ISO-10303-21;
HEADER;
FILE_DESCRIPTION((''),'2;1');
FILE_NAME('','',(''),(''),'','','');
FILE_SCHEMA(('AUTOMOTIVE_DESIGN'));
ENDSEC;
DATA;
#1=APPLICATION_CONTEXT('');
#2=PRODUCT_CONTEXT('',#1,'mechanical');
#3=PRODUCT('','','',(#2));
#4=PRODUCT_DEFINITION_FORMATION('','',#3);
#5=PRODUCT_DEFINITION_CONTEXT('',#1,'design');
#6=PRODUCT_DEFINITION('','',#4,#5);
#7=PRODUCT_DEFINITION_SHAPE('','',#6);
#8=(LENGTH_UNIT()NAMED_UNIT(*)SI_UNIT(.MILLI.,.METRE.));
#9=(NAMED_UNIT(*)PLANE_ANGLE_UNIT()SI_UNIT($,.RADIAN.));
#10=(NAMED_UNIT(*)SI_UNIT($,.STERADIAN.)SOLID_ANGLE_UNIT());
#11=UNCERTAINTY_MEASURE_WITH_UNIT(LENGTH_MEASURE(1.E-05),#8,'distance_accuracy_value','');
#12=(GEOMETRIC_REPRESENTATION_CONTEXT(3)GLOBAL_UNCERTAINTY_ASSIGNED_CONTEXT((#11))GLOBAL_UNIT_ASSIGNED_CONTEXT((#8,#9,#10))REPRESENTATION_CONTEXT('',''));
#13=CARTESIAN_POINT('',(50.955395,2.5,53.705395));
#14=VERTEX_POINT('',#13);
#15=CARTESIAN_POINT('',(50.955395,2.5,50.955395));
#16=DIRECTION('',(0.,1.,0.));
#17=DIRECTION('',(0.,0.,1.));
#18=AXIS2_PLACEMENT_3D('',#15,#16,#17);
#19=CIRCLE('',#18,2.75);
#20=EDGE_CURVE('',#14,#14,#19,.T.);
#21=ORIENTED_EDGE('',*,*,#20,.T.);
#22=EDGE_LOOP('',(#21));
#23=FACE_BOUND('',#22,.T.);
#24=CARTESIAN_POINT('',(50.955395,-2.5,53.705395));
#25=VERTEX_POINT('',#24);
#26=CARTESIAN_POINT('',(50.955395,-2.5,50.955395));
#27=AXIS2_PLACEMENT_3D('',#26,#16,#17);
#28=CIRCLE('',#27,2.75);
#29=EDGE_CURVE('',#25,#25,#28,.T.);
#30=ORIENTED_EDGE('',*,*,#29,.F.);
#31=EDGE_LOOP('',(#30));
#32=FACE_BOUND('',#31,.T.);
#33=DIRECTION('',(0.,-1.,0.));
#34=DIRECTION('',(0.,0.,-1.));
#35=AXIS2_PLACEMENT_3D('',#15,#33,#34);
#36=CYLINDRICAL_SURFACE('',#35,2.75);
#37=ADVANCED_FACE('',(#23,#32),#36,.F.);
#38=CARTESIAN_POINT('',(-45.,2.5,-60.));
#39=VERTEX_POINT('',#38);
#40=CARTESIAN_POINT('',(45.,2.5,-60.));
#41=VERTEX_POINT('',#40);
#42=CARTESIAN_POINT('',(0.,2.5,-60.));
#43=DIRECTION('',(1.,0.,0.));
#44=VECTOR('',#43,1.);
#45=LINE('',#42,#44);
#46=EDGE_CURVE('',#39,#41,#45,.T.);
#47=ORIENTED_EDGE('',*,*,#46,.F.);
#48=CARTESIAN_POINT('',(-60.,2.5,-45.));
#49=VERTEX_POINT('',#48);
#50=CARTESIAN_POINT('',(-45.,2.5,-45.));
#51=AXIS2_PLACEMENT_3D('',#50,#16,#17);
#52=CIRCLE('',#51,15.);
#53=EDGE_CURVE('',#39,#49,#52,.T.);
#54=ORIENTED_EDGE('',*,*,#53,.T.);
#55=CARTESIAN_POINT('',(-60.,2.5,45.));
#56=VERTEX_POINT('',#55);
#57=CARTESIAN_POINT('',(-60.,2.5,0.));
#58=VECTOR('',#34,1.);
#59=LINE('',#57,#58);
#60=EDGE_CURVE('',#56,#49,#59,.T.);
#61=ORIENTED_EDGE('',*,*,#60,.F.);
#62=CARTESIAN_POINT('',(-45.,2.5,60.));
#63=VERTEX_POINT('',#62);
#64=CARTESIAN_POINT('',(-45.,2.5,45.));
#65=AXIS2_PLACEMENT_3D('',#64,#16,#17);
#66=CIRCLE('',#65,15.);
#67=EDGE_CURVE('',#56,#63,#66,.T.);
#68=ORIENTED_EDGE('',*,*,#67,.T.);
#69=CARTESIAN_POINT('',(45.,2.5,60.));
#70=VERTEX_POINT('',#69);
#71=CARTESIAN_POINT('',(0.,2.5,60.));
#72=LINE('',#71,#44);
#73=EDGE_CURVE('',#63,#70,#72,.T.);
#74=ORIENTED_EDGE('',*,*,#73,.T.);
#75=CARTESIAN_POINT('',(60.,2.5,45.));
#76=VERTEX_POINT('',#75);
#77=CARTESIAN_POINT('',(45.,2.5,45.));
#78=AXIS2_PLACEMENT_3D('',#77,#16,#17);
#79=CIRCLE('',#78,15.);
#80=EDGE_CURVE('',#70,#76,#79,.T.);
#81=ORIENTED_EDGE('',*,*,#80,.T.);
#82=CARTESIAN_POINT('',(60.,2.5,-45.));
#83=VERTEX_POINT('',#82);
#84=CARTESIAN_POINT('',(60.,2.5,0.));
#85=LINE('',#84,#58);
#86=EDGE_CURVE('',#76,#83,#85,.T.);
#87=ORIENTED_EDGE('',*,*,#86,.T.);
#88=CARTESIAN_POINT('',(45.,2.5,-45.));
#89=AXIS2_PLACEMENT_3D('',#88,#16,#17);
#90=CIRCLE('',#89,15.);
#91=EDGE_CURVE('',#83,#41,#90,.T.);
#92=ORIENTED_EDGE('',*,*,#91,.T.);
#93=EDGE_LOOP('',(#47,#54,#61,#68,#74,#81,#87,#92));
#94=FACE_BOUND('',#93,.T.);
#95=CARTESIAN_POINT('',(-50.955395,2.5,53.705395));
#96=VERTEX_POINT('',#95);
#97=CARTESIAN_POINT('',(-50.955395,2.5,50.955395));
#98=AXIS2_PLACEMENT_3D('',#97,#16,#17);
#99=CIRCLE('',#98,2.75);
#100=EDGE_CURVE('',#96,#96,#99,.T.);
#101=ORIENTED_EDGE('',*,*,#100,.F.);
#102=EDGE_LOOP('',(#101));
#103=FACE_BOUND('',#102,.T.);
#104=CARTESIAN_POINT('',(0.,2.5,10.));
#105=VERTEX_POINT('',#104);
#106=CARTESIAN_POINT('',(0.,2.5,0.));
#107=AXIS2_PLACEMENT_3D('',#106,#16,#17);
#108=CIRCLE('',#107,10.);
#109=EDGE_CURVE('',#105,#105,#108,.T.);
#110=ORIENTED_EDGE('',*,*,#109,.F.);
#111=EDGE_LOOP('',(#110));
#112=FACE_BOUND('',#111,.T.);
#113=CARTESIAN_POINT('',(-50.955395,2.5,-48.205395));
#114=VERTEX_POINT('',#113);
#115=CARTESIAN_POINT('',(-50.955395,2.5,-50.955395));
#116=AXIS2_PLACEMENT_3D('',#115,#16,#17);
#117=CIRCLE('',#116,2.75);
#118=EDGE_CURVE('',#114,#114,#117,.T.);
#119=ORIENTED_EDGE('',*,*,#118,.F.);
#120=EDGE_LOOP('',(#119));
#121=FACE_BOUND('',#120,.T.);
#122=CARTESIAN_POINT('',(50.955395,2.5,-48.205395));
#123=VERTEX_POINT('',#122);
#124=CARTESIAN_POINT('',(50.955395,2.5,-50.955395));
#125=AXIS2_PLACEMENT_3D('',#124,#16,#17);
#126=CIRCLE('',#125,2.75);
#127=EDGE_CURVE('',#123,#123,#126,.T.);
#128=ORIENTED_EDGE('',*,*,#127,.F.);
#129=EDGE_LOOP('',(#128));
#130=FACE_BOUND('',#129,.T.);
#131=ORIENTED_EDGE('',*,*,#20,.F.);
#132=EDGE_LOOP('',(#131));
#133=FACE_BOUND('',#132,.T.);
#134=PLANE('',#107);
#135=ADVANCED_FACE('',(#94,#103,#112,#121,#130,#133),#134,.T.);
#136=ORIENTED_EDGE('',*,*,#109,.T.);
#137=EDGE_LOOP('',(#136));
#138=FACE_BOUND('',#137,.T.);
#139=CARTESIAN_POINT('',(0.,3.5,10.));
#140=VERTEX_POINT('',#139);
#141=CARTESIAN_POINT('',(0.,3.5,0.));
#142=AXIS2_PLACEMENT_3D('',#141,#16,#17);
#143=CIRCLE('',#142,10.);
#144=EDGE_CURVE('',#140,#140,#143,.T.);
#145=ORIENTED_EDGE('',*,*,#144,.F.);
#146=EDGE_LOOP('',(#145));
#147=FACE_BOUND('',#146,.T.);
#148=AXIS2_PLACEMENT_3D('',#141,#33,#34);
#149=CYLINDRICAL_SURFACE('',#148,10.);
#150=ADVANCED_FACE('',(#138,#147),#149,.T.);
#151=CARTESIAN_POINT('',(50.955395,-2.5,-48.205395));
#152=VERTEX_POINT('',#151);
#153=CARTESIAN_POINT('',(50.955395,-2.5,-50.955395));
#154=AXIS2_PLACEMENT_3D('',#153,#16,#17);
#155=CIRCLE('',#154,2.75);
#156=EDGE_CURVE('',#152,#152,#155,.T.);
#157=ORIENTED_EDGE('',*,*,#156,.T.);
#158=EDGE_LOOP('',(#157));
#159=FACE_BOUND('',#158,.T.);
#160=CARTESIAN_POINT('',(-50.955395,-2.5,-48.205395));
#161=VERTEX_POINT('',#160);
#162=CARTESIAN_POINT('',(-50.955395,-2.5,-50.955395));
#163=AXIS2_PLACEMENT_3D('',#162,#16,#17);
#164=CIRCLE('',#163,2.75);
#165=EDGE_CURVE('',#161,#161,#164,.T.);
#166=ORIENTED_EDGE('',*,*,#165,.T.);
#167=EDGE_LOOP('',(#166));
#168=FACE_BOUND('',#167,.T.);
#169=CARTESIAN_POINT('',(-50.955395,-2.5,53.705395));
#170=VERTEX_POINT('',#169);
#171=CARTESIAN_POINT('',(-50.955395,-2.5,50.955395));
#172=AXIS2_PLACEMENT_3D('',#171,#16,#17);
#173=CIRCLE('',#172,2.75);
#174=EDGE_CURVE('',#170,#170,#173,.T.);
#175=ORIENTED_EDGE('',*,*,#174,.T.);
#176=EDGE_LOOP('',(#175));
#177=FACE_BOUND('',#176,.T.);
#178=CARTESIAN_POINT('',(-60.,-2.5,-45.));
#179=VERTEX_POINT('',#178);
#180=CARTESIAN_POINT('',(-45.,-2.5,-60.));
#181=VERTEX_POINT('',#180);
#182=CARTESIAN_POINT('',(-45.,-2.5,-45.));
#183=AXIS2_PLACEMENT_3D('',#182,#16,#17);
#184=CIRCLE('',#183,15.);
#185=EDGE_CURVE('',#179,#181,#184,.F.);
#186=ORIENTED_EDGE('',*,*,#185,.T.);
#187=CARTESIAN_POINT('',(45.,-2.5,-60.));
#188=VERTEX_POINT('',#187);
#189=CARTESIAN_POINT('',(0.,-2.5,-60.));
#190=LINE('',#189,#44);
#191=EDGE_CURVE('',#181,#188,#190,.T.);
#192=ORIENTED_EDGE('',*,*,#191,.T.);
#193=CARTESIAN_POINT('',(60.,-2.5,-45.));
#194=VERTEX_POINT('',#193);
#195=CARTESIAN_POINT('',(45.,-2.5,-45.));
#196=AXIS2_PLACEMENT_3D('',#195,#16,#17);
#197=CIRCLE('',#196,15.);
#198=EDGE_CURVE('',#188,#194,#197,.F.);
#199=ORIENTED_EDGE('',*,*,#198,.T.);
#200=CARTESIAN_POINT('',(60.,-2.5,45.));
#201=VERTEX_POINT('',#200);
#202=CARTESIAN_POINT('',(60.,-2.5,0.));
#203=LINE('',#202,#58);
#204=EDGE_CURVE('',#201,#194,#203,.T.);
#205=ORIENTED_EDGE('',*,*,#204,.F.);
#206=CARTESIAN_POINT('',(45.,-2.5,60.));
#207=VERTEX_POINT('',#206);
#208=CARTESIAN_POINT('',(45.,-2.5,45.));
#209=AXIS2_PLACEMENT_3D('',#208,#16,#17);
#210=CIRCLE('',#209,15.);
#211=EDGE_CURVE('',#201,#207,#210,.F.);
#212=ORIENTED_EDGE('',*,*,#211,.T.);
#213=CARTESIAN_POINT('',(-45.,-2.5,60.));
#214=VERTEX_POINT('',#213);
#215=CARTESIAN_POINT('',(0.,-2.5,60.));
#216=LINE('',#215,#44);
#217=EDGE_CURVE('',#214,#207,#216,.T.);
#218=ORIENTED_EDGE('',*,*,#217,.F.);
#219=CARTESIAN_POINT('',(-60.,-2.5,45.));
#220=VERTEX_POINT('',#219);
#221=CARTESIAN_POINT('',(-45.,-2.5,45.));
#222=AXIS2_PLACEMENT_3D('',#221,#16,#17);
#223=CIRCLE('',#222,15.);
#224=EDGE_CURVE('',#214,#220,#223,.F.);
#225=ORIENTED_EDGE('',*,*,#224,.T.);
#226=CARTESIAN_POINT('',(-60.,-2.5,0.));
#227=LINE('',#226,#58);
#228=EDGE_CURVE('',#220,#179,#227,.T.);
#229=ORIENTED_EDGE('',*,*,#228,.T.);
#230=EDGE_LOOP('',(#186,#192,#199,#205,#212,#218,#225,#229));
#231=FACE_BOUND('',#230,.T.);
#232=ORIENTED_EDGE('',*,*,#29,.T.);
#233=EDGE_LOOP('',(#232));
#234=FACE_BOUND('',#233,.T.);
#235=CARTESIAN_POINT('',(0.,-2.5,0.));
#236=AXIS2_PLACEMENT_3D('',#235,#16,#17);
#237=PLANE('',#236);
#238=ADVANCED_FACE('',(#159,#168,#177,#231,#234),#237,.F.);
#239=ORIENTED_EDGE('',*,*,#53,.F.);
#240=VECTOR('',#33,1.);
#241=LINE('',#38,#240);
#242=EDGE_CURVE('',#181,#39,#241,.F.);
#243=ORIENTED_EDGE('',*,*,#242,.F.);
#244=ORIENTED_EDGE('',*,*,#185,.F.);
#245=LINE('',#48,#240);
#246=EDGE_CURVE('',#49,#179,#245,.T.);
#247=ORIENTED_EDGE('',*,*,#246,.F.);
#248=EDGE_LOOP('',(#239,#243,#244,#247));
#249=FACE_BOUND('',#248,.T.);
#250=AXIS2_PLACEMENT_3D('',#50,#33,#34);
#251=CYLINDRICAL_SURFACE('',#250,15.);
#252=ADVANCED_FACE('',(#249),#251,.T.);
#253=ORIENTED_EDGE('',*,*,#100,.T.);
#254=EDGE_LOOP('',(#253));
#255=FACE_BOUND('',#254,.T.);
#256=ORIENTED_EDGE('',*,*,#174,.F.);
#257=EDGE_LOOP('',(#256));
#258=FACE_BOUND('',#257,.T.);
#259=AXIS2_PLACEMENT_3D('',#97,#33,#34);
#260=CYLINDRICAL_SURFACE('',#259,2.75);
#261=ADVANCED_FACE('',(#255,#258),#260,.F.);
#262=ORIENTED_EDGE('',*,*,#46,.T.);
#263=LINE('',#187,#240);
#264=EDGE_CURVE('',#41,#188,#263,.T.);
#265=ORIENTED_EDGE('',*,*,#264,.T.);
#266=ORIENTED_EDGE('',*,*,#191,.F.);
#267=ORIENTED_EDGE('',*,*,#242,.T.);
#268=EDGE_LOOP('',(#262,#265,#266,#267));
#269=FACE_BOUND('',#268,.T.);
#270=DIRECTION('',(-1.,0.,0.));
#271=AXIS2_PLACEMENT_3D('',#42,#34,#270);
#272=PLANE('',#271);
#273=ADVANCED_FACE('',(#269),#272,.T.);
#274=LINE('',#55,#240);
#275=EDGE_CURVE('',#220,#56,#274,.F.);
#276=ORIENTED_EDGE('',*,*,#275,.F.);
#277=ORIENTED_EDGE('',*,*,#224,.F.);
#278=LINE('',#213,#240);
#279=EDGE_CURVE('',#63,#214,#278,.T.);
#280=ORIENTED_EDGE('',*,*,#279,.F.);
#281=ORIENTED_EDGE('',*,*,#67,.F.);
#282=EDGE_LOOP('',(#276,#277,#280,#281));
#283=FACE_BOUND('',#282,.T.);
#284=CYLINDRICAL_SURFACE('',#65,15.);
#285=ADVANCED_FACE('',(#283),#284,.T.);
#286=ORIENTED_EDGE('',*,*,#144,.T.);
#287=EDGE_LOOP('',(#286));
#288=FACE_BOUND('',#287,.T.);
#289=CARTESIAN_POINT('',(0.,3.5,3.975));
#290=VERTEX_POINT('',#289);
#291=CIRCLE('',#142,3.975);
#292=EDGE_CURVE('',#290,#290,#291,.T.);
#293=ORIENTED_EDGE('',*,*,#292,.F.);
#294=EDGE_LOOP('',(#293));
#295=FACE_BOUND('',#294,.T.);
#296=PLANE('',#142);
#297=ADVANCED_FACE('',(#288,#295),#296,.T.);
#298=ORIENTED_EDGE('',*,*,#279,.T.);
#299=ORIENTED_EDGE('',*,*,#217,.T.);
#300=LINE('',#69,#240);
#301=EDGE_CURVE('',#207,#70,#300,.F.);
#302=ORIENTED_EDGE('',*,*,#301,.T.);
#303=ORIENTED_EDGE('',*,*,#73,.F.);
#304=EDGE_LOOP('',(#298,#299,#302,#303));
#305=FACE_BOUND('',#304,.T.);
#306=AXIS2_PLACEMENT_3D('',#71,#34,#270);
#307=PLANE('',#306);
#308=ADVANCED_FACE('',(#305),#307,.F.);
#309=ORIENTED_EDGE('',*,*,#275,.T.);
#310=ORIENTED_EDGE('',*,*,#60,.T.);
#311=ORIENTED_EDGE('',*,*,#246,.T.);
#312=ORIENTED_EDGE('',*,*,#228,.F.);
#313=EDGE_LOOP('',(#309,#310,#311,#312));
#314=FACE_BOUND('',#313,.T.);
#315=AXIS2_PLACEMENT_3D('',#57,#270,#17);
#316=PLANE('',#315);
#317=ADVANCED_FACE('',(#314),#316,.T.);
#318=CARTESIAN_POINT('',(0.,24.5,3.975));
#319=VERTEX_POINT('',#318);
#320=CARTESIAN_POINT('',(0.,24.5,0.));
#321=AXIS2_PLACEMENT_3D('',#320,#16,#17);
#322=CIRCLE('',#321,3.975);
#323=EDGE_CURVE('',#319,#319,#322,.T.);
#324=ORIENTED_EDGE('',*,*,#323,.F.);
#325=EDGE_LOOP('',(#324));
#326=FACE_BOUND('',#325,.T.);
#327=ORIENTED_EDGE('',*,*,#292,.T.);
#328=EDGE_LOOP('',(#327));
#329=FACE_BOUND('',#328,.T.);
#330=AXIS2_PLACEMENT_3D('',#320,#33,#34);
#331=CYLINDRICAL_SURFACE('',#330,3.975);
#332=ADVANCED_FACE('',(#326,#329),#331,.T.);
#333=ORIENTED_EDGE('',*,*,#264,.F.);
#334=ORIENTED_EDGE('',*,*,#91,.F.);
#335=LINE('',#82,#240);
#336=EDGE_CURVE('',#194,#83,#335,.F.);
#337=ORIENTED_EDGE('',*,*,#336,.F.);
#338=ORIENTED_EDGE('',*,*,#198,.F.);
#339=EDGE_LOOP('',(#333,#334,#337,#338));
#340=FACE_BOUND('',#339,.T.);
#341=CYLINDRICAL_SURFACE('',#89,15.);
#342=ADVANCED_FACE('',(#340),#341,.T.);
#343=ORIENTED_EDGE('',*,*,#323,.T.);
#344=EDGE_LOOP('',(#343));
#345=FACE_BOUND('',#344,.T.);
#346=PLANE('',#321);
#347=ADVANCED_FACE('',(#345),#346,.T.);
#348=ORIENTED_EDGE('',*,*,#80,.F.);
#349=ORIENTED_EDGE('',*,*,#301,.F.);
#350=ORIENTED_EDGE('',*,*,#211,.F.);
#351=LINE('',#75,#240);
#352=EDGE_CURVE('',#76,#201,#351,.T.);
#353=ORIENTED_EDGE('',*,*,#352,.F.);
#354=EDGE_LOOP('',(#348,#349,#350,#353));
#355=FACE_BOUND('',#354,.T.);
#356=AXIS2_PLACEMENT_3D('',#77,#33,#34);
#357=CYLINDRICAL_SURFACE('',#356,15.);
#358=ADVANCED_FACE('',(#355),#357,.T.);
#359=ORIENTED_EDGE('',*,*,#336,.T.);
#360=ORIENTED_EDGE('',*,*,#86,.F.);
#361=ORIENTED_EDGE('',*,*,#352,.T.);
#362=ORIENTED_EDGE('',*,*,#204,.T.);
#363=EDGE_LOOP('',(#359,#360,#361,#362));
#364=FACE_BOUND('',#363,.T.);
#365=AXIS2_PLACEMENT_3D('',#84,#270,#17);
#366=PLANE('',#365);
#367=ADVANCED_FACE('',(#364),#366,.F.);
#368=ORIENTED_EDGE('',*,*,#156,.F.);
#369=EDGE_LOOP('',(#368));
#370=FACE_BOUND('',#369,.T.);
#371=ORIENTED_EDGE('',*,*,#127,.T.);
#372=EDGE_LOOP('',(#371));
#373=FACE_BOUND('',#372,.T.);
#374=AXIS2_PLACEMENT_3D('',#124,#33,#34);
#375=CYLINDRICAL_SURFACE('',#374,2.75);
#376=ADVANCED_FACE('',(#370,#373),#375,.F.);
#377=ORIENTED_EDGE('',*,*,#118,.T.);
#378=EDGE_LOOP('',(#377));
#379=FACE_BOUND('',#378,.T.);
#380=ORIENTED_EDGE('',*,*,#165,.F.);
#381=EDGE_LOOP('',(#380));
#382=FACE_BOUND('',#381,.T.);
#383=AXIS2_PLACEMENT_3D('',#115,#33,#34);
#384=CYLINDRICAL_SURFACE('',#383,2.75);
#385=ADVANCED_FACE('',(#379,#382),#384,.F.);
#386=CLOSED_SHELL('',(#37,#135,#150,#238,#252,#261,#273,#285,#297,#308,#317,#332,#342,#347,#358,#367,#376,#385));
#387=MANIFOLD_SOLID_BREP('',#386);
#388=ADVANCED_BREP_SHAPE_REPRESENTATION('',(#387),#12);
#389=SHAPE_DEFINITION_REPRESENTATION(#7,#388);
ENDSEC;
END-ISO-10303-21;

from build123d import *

# Parameters (mm, degrees)
ESBO_O1_W                = 120
ESBO_O1_H                = 120
ESBO_O1_R                = 2.75
RESSALTO_EXTRUS_O1_DEPTH = 2.5
FILETE1_R                = 15
ESBO_O2_R                = 3.975
RESSALTO_EXTRUS_O2_DEPTH = 22
ESBO_O3_R                = 10
RESSALTO_EXTRUS_O3_DEPTH = 1


with BuildPart() as part:
    # Esboço1 → Ressalto-extrusão1 (new, symmetric)
    with BuildSketch(Plane(origin=(0, 0, 0), x_dir=(1, 0, 0), z_dir=(0, 1, 0))):
        Rectangle(ESBO_O1_W, ESBO_O1_H)
        with Locations(Location((-50.955395397, -50.955395397, 0), (0, 0, 270))):
            Circle(ESBO_O1_R, mode=Mode.SUBTRACT)
        with Locations(Location((-50.955395397, 50.955395397, 0), (0, 0, 270))):
            Circle(ESBO_O1_R, mode=Mode.SUBTRACT)
        with Locations(Location((50.955395397, 50.955395397, 0), (0, 0, 270))):
            Circle(ESBO_O1_R, mode=Mode.SUBTRACT)
        with Locations(Location((50.955395397, -50.955395397, 0), (0, 0, 270))):
            Circle(ESBO_O1_R, mode=Mode.SUBTRACT)
    extrude(amount=RESSALTO_EXTRUS_O1_DEPTH, both=True)

    # Filete1
    filete1_edges = [part.edges().sort_by_distance(p)[0] for p in [
        (-60, 0, 60),
        (-60, 0, -60),
        (60, 0, -60),
        (60, 0, 60),
    ]]
    fillet(filete1_edges, radius=FILETE1_R)

    # Esboço2 → Ressalto-extrusão2 (add)
    with BuildSketch(Plane(origin=(0, 2.5, 0), x_dir=(1, 0, 0), z_dir=(0, 1, 0))):
        with Locations(Location((0, 0, 0), (0, 0, 270))):
            Circle(ESBO_O2_R)
    extrude(amount=RESSALTO_EXTRUS_O2_DEPTH)

    # Esboço3 → Ressalto-extrusão3 (add)
    with BuildSketch(Plane(origin=(0, 2.5, 0), x_dir=(1, 0, 0), z_dir=(0, 1, 0))):
        with Locations(Location((0, 0, 0), (0, 0, 270))):
            Circle(ESBO_O3_R)
    extrude(amount=RESSALTO_EXTRUS_O3_DEPTH)


solid = part.part
